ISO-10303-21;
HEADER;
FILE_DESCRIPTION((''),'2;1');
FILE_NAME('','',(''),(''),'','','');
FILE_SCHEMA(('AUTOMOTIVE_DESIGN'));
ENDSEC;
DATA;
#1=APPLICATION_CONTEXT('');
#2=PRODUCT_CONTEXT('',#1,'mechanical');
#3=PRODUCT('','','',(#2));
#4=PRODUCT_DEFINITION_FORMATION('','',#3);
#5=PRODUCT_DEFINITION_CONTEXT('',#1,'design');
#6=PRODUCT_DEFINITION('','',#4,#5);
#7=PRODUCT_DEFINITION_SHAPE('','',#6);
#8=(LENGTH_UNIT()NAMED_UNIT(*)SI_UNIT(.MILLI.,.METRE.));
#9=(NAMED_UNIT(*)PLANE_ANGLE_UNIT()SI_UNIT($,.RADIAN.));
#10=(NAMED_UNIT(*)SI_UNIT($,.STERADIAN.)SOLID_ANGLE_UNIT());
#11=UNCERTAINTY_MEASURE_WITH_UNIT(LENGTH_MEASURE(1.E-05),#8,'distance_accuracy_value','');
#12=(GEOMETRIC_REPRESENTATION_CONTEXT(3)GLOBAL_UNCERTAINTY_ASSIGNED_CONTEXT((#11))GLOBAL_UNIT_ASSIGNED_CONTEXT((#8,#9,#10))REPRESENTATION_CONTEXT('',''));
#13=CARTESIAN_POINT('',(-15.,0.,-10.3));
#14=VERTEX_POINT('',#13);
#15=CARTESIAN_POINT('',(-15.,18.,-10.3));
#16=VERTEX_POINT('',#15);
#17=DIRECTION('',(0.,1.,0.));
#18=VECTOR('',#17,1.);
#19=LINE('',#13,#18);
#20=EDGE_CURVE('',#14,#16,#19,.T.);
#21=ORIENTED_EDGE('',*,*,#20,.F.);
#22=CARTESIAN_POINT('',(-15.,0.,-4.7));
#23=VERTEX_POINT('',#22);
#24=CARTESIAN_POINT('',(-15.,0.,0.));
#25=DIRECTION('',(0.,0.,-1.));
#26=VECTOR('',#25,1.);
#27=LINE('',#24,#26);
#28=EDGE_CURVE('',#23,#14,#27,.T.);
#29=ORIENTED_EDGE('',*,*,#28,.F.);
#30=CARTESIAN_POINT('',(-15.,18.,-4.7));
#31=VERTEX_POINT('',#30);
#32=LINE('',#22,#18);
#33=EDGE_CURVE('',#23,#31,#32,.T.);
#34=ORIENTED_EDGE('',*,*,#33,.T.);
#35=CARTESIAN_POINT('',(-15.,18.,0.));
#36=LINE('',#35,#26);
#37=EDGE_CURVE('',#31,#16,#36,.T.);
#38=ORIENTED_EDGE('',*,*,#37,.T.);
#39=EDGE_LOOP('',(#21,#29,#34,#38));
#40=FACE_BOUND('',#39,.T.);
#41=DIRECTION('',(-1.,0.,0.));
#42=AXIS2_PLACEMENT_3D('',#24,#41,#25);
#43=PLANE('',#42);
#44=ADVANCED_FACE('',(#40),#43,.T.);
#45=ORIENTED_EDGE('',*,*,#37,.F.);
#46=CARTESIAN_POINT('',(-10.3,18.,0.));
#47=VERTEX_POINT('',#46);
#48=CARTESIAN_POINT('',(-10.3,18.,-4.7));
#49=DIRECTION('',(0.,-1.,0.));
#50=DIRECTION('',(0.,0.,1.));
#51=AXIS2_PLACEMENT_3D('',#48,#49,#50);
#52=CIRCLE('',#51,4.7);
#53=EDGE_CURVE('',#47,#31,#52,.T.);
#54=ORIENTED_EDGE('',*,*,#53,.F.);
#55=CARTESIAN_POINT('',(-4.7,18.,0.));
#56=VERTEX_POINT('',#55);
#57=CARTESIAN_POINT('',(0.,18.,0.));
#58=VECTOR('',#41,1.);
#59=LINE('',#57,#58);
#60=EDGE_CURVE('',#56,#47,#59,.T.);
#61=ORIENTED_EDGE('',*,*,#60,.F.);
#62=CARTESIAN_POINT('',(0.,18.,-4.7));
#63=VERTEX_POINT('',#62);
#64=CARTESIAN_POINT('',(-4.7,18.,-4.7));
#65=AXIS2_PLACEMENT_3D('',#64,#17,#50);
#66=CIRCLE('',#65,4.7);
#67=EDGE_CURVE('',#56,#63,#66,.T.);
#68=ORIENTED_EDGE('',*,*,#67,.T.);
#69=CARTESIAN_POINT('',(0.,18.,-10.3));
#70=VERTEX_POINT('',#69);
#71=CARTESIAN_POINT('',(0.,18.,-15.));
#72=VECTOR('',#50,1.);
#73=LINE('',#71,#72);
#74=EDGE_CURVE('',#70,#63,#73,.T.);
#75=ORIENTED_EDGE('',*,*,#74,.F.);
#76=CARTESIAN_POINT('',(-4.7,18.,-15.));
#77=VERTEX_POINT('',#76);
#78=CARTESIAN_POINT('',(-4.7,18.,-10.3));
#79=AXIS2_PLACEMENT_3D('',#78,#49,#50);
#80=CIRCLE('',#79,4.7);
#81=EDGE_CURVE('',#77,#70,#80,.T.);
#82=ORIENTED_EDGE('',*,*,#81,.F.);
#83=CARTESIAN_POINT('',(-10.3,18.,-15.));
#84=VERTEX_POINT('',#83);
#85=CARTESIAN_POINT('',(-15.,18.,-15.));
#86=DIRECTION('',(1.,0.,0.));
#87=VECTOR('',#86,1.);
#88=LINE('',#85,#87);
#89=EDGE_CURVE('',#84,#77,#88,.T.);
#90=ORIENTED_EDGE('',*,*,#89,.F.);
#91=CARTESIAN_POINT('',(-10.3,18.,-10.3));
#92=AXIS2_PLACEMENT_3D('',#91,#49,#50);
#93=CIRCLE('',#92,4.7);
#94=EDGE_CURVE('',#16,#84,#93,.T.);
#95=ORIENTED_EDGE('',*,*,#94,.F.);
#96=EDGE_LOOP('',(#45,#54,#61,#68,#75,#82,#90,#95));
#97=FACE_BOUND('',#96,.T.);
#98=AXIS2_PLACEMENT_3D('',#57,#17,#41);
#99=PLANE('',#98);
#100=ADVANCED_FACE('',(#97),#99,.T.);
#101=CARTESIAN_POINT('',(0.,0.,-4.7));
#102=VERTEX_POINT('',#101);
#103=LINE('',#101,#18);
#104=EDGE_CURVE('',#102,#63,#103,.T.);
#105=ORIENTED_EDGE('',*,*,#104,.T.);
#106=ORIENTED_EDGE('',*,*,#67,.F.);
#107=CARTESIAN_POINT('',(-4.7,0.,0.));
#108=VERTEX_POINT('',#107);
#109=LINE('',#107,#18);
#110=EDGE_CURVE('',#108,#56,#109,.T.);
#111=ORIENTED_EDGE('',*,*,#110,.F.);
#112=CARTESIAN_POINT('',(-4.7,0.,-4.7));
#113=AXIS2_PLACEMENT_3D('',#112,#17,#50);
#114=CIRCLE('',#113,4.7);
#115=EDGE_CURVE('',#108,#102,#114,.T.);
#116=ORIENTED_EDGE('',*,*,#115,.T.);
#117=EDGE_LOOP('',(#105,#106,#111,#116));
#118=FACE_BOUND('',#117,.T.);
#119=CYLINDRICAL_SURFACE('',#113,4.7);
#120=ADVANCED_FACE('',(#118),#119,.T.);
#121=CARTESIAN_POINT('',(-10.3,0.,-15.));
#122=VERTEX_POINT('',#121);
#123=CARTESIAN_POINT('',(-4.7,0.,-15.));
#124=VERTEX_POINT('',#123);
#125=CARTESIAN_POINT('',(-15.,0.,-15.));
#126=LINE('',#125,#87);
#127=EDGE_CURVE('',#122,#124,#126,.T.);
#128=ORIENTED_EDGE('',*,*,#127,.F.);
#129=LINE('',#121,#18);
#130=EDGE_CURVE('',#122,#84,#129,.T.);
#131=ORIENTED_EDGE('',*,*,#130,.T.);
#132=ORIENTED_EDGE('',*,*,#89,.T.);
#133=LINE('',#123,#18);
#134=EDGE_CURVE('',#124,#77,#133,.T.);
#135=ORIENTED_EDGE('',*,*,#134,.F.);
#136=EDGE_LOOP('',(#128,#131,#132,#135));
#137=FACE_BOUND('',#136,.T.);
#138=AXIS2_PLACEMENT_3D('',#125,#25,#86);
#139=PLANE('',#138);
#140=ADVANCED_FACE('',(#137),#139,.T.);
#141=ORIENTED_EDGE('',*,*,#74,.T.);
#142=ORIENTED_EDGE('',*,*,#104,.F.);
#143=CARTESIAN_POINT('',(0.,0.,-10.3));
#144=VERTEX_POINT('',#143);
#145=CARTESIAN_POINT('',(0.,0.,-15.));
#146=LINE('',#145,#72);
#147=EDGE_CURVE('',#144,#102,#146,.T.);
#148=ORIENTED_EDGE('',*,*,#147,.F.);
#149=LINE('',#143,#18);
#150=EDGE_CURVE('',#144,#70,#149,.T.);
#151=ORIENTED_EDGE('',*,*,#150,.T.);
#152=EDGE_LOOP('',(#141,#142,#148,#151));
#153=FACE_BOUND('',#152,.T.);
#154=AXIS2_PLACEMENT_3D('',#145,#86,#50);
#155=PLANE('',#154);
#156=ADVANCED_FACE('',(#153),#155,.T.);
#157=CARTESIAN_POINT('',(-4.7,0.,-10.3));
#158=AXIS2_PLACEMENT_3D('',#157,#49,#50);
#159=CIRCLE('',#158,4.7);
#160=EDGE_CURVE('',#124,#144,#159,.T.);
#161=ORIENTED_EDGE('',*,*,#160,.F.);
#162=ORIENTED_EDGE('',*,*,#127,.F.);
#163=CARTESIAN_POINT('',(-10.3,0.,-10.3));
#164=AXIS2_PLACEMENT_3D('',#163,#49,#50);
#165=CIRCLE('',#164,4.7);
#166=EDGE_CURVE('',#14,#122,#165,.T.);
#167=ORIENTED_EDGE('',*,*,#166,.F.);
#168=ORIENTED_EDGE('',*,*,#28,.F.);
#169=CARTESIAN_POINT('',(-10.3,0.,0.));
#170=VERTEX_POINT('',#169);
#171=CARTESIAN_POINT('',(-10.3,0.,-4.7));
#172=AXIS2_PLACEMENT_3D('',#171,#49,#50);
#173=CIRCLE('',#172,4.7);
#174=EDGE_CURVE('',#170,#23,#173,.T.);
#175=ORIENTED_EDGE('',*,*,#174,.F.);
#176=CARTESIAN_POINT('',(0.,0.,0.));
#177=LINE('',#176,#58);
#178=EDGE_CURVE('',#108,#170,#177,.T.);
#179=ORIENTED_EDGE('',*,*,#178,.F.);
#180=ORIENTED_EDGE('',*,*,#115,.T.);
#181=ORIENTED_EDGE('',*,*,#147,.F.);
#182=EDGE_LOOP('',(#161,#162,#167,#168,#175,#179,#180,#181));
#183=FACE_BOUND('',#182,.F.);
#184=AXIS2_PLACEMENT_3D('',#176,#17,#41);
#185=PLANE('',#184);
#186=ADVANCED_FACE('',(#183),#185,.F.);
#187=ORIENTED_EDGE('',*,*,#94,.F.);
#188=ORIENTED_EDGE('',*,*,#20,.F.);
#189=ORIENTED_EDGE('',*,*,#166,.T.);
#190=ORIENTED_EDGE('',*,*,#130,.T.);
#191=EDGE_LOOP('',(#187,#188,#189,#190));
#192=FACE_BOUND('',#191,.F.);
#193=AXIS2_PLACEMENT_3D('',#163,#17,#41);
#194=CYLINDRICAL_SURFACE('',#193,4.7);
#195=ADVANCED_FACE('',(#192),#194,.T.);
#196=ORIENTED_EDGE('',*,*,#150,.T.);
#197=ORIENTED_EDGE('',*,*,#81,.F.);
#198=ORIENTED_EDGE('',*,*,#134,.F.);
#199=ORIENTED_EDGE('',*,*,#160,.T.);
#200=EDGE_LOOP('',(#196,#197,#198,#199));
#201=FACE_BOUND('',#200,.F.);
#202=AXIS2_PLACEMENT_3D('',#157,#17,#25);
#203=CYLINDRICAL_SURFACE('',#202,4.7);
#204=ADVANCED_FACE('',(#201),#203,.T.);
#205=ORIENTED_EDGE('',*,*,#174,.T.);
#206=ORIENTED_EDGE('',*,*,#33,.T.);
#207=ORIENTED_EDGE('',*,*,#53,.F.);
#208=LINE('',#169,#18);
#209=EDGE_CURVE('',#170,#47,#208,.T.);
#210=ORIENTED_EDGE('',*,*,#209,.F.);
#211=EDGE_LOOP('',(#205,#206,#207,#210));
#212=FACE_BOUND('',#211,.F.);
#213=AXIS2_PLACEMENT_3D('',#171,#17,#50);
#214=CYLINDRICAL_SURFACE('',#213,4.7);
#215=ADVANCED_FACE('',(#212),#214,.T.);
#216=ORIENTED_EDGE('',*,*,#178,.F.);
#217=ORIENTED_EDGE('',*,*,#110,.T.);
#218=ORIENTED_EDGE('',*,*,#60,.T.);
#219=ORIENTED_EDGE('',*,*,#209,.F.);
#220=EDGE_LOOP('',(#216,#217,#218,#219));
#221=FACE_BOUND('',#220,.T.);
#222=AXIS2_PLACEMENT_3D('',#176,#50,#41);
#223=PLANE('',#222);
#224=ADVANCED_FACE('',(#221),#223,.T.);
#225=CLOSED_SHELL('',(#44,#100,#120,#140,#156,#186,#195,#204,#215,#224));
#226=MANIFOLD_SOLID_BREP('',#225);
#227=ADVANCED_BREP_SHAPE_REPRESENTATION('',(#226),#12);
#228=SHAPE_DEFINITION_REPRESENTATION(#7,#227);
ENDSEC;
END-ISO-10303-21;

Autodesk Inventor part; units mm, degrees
ref_plane "YZ Plane" through (0, 0, 0) normal (1, 0, 0) x (0, 1, 0)
ref_plane "XZ Plane" through (0, 0, 0) normal (0, 1, 0) x (-1, 0, 0)
ref_plane "XY Plane" through (0, 0, 0) normal (0, 0, 1) x (1, 0, 0)
sketch "Esquisse1" plane through (0, 0, 0) normal (0, 1, 0) x (-1, 0, 0)
  line L0 (0, 0) -> (15, 0)
  line L1 (15, 0) -> (15, -15)
  line L2 (15, -15) -> (0, -15)
  line L3 (0, -15) -> (0, 0)
  dimension "d0" = 15
  dimension "d1" = 15
extrude "Extrusion1" add sketch "Esquisse1" along normal blind 18
fillet "Congé1" radius 4.7 4 edges at (0, 9, 0) (0, 9, -15) (-15, 9, 0) (-15, 9, -15)
properties part number "Moteur6G"
